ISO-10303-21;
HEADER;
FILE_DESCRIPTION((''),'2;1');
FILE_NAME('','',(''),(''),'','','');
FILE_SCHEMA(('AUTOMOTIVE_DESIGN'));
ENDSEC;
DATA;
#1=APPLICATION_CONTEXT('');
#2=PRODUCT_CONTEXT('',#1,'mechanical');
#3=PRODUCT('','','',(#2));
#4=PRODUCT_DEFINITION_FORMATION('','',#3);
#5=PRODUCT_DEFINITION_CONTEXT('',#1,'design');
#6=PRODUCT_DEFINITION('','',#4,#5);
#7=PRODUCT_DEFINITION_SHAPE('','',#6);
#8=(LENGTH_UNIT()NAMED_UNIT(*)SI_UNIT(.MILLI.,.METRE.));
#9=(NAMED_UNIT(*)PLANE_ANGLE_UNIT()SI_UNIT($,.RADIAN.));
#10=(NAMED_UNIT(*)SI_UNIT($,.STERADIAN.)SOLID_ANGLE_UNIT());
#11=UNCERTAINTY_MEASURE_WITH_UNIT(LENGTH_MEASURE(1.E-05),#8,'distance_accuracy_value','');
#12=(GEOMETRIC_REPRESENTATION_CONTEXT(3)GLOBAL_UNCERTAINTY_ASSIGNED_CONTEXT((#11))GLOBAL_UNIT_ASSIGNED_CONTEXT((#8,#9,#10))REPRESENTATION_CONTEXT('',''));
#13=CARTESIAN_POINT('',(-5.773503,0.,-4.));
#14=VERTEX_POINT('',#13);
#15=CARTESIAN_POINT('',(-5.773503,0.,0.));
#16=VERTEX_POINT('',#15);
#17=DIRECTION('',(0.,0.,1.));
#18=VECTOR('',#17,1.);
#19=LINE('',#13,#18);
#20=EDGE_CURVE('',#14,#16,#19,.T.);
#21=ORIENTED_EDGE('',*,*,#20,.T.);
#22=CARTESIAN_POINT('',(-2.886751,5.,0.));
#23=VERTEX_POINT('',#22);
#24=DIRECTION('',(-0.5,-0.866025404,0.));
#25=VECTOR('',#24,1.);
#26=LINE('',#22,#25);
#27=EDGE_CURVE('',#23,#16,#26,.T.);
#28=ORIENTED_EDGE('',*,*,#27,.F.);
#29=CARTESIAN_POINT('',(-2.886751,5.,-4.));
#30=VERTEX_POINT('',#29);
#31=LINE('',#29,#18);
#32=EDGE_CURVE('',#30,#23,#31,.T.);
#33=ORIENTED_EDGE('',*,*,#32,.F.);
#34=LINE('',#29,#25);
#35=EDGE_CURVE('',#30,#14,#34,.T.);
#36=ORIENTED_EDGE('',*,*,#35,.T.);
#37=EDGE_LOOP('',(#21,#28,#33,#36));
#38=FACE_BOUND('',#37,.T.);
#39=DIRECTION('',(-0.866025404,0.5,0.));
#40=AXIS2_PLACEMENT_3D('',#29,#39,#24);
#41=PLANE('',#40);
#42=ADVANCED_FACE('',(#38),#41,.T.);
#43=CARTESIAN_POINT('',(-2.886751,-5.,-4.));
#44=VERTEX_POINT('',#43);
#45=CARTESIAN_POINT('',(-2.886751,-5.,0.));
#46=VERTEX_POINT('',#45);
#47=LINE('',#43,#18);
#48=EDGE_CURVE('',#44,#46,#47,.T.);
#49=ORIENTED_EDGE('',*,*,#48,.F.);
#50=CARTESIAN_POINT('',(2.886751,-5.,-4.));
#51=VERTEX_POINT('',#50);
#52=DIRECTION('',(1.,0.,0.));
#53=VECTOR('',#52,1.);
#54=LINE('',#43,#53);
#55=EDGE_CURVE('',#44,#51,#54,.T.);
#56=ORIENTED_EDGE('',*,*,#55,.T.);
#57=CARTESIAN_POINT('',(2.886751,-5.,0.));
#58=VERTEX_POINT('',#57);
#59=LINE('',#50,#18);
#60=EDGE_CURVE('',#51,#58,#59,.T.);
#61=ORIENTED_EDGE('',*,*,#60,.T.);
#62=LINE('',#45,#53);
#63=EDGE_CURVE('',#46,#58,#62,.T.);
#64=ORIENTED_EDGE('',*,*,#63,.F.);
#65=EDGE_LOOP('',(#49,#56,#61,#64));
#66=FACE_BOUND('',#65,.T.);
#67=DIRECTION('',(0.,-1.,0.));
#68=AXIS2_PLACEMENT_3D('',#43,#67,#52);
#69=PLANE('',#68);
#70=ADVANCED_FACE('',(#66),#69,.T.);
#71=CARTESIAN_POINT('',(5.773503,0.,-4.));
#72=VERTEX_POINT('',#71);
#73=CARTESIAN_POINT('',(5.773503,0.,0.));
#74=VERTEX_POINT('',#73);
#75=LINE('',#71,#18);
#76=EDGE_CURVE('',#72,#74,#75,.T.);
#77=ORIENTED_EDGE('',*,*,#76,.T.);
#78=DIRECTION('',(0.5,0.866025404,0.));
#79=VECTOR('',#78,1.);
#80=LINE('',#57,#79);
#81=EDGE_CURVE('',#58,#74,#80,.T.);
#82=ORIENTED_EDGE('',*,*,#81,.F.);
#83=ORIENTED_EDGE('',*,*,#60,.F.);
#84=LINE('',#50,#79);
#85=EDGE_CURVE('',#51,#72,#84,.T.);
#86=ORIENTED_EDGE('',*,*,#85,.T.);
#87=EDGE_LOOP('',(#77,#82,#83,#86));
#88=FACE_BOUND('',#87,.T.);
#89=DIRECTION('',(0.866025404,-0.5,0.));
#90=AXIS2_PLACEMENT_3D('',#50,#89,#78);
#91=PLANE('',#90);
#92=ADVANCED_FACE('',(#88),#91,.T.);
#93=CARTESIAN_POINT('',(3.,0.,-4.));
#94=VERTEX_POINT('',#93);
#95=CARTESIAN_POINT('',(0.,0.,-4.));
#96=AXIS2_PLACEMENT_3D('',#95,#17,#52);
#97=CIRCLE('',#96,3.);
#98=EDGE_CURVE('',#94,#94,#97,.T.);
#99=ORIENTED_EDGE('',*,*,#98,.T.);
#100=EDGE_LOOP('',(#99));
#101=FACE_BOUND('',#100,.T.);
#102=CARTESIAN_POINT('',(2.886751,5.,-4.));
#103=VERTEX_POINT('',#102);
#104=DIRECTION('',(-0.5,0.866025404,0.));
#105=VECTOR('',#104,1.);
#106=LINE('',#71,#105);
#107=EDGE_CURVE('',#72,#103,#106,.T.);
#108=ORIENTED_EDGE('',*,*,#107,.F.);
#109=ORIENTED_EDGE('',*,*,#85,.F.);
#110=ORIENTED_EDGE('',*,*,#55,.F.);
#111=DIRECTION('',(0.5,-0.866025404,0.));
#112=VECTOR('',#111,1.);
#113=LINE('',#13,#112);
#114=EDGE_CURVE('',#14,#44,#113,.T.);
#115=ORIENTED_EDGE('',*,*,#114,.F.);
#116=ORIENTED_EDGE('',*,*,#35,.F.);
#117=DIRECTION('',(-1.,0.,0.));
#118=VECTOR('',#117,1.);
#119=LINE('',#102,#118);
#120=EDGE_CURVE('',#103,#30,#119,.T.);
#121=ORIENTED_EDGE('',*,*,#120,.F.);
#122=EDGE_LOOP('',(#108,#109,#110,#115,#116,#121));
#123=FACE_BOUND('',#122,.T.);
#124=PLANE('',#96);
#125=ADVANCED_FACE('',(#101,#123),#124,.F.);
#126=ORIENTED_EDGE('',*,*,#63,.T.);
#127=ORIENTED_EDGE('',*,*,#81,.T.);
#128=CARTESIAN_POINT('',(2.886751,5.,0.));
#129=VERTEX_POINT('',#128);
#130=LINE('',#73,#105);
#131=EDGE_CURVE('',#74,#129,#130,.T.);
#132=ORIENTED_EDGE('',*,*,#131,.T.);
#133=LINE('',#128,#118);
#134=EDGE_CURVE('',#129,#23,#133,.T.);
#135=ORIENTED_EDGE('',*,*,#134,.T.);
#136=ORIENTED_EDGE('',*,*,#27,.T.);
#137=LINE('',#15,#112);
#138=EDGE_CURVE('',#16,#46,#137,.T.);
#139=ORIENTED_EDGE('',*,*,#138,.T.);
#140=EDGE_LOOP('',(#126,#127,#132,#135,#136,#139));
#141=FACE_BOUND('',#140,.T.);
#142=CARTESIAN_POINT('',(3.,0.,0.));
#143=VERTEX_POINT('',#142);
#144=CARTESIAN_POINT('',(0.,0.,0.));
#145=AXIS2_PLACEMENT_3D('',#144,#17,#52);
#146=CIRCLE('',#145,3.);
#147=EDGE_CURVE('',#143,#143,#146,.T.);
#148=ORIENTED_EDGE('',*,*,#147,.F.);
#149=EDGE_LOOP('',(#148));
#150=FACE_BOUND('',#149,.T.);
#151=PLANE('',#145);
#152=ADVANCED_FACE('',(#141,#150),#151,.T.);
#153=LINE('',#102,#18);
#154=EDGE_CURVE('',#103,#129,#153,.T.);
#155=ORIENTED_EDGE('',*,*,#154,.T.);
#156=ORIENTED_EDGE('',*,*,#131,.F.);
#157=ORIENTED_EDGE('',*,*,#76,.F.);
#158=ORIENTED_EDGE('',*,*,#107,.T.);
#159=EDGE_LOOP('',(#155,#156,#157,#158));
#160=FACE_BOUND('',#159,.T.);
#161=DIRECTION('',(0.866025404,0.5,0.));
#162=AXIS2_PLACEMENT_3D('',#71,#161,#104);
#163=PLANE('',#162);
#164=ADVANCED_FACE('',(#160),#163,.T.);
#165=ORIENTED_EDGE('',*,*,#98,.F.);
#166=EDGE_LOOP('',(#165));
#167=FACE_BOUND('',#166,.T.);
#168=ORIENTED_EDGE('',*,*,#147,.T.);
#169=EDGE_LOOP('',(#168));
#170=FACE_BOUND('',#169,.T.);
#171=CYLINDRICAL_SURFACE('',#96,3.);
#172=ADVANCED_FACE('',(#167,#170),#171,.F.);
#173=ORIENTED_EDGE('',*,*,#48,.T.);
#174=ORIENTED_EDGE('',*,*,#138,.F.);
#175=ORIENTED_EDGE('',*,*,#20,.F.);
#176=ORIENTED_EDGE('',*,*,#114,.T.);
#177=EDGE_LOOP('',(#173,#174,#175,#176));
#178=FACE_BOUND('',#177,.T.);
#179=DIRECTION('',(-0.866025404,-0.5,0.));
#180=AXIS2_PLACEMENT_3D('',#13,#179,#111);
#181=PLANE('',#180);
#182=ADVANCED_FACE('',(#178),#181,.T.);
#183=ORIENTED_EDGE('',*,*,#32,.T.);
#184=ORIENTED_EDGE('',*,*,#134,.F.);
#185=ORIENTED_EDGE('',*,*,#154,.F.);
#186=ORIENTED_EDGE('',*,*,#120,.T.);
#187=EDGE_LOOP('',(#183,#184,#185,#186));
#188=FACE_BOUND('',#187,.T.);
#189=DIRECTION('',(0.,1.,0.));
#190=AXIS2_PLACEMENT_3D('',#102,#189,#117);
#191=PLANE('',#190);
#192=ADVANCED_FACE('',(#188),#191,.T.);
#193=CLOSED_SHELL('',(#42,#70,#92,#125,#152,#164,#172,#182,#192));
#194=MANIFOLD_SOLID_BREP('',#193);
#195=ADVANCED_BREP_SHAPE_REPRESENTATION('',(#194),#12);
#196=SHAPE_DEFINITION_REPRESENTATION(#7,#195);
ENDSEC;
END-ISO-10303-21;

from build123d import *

# Parameters (mm, degrees)
EXTRUSION1_DEPTH = 4
SKETCH2_R        = 3
THREAD1_DEPTH    = 4


with BuildPart() as part:
    # Sketch1 → Extrusion1 (new body)
    with BuildSketch(Plane.XY):
        Polygon((5.773502692, 0), (2.886751346, 5), (-2.886751346, 5), (-5.773502692, 0), (-2.886751346, -5), (2.886751346, -5), align=None)
    extrude(amount=-EXTRUSION1_DEPTH)

    # Sketch2 → Thread1 (cut)
    with BuildSketch(Plane.XY):
        Circle(SKETCH2_R)
    extrude(amount=-THREAD1_DEPTH, mode=Mode.SUBTRACT)


solid = part.part
